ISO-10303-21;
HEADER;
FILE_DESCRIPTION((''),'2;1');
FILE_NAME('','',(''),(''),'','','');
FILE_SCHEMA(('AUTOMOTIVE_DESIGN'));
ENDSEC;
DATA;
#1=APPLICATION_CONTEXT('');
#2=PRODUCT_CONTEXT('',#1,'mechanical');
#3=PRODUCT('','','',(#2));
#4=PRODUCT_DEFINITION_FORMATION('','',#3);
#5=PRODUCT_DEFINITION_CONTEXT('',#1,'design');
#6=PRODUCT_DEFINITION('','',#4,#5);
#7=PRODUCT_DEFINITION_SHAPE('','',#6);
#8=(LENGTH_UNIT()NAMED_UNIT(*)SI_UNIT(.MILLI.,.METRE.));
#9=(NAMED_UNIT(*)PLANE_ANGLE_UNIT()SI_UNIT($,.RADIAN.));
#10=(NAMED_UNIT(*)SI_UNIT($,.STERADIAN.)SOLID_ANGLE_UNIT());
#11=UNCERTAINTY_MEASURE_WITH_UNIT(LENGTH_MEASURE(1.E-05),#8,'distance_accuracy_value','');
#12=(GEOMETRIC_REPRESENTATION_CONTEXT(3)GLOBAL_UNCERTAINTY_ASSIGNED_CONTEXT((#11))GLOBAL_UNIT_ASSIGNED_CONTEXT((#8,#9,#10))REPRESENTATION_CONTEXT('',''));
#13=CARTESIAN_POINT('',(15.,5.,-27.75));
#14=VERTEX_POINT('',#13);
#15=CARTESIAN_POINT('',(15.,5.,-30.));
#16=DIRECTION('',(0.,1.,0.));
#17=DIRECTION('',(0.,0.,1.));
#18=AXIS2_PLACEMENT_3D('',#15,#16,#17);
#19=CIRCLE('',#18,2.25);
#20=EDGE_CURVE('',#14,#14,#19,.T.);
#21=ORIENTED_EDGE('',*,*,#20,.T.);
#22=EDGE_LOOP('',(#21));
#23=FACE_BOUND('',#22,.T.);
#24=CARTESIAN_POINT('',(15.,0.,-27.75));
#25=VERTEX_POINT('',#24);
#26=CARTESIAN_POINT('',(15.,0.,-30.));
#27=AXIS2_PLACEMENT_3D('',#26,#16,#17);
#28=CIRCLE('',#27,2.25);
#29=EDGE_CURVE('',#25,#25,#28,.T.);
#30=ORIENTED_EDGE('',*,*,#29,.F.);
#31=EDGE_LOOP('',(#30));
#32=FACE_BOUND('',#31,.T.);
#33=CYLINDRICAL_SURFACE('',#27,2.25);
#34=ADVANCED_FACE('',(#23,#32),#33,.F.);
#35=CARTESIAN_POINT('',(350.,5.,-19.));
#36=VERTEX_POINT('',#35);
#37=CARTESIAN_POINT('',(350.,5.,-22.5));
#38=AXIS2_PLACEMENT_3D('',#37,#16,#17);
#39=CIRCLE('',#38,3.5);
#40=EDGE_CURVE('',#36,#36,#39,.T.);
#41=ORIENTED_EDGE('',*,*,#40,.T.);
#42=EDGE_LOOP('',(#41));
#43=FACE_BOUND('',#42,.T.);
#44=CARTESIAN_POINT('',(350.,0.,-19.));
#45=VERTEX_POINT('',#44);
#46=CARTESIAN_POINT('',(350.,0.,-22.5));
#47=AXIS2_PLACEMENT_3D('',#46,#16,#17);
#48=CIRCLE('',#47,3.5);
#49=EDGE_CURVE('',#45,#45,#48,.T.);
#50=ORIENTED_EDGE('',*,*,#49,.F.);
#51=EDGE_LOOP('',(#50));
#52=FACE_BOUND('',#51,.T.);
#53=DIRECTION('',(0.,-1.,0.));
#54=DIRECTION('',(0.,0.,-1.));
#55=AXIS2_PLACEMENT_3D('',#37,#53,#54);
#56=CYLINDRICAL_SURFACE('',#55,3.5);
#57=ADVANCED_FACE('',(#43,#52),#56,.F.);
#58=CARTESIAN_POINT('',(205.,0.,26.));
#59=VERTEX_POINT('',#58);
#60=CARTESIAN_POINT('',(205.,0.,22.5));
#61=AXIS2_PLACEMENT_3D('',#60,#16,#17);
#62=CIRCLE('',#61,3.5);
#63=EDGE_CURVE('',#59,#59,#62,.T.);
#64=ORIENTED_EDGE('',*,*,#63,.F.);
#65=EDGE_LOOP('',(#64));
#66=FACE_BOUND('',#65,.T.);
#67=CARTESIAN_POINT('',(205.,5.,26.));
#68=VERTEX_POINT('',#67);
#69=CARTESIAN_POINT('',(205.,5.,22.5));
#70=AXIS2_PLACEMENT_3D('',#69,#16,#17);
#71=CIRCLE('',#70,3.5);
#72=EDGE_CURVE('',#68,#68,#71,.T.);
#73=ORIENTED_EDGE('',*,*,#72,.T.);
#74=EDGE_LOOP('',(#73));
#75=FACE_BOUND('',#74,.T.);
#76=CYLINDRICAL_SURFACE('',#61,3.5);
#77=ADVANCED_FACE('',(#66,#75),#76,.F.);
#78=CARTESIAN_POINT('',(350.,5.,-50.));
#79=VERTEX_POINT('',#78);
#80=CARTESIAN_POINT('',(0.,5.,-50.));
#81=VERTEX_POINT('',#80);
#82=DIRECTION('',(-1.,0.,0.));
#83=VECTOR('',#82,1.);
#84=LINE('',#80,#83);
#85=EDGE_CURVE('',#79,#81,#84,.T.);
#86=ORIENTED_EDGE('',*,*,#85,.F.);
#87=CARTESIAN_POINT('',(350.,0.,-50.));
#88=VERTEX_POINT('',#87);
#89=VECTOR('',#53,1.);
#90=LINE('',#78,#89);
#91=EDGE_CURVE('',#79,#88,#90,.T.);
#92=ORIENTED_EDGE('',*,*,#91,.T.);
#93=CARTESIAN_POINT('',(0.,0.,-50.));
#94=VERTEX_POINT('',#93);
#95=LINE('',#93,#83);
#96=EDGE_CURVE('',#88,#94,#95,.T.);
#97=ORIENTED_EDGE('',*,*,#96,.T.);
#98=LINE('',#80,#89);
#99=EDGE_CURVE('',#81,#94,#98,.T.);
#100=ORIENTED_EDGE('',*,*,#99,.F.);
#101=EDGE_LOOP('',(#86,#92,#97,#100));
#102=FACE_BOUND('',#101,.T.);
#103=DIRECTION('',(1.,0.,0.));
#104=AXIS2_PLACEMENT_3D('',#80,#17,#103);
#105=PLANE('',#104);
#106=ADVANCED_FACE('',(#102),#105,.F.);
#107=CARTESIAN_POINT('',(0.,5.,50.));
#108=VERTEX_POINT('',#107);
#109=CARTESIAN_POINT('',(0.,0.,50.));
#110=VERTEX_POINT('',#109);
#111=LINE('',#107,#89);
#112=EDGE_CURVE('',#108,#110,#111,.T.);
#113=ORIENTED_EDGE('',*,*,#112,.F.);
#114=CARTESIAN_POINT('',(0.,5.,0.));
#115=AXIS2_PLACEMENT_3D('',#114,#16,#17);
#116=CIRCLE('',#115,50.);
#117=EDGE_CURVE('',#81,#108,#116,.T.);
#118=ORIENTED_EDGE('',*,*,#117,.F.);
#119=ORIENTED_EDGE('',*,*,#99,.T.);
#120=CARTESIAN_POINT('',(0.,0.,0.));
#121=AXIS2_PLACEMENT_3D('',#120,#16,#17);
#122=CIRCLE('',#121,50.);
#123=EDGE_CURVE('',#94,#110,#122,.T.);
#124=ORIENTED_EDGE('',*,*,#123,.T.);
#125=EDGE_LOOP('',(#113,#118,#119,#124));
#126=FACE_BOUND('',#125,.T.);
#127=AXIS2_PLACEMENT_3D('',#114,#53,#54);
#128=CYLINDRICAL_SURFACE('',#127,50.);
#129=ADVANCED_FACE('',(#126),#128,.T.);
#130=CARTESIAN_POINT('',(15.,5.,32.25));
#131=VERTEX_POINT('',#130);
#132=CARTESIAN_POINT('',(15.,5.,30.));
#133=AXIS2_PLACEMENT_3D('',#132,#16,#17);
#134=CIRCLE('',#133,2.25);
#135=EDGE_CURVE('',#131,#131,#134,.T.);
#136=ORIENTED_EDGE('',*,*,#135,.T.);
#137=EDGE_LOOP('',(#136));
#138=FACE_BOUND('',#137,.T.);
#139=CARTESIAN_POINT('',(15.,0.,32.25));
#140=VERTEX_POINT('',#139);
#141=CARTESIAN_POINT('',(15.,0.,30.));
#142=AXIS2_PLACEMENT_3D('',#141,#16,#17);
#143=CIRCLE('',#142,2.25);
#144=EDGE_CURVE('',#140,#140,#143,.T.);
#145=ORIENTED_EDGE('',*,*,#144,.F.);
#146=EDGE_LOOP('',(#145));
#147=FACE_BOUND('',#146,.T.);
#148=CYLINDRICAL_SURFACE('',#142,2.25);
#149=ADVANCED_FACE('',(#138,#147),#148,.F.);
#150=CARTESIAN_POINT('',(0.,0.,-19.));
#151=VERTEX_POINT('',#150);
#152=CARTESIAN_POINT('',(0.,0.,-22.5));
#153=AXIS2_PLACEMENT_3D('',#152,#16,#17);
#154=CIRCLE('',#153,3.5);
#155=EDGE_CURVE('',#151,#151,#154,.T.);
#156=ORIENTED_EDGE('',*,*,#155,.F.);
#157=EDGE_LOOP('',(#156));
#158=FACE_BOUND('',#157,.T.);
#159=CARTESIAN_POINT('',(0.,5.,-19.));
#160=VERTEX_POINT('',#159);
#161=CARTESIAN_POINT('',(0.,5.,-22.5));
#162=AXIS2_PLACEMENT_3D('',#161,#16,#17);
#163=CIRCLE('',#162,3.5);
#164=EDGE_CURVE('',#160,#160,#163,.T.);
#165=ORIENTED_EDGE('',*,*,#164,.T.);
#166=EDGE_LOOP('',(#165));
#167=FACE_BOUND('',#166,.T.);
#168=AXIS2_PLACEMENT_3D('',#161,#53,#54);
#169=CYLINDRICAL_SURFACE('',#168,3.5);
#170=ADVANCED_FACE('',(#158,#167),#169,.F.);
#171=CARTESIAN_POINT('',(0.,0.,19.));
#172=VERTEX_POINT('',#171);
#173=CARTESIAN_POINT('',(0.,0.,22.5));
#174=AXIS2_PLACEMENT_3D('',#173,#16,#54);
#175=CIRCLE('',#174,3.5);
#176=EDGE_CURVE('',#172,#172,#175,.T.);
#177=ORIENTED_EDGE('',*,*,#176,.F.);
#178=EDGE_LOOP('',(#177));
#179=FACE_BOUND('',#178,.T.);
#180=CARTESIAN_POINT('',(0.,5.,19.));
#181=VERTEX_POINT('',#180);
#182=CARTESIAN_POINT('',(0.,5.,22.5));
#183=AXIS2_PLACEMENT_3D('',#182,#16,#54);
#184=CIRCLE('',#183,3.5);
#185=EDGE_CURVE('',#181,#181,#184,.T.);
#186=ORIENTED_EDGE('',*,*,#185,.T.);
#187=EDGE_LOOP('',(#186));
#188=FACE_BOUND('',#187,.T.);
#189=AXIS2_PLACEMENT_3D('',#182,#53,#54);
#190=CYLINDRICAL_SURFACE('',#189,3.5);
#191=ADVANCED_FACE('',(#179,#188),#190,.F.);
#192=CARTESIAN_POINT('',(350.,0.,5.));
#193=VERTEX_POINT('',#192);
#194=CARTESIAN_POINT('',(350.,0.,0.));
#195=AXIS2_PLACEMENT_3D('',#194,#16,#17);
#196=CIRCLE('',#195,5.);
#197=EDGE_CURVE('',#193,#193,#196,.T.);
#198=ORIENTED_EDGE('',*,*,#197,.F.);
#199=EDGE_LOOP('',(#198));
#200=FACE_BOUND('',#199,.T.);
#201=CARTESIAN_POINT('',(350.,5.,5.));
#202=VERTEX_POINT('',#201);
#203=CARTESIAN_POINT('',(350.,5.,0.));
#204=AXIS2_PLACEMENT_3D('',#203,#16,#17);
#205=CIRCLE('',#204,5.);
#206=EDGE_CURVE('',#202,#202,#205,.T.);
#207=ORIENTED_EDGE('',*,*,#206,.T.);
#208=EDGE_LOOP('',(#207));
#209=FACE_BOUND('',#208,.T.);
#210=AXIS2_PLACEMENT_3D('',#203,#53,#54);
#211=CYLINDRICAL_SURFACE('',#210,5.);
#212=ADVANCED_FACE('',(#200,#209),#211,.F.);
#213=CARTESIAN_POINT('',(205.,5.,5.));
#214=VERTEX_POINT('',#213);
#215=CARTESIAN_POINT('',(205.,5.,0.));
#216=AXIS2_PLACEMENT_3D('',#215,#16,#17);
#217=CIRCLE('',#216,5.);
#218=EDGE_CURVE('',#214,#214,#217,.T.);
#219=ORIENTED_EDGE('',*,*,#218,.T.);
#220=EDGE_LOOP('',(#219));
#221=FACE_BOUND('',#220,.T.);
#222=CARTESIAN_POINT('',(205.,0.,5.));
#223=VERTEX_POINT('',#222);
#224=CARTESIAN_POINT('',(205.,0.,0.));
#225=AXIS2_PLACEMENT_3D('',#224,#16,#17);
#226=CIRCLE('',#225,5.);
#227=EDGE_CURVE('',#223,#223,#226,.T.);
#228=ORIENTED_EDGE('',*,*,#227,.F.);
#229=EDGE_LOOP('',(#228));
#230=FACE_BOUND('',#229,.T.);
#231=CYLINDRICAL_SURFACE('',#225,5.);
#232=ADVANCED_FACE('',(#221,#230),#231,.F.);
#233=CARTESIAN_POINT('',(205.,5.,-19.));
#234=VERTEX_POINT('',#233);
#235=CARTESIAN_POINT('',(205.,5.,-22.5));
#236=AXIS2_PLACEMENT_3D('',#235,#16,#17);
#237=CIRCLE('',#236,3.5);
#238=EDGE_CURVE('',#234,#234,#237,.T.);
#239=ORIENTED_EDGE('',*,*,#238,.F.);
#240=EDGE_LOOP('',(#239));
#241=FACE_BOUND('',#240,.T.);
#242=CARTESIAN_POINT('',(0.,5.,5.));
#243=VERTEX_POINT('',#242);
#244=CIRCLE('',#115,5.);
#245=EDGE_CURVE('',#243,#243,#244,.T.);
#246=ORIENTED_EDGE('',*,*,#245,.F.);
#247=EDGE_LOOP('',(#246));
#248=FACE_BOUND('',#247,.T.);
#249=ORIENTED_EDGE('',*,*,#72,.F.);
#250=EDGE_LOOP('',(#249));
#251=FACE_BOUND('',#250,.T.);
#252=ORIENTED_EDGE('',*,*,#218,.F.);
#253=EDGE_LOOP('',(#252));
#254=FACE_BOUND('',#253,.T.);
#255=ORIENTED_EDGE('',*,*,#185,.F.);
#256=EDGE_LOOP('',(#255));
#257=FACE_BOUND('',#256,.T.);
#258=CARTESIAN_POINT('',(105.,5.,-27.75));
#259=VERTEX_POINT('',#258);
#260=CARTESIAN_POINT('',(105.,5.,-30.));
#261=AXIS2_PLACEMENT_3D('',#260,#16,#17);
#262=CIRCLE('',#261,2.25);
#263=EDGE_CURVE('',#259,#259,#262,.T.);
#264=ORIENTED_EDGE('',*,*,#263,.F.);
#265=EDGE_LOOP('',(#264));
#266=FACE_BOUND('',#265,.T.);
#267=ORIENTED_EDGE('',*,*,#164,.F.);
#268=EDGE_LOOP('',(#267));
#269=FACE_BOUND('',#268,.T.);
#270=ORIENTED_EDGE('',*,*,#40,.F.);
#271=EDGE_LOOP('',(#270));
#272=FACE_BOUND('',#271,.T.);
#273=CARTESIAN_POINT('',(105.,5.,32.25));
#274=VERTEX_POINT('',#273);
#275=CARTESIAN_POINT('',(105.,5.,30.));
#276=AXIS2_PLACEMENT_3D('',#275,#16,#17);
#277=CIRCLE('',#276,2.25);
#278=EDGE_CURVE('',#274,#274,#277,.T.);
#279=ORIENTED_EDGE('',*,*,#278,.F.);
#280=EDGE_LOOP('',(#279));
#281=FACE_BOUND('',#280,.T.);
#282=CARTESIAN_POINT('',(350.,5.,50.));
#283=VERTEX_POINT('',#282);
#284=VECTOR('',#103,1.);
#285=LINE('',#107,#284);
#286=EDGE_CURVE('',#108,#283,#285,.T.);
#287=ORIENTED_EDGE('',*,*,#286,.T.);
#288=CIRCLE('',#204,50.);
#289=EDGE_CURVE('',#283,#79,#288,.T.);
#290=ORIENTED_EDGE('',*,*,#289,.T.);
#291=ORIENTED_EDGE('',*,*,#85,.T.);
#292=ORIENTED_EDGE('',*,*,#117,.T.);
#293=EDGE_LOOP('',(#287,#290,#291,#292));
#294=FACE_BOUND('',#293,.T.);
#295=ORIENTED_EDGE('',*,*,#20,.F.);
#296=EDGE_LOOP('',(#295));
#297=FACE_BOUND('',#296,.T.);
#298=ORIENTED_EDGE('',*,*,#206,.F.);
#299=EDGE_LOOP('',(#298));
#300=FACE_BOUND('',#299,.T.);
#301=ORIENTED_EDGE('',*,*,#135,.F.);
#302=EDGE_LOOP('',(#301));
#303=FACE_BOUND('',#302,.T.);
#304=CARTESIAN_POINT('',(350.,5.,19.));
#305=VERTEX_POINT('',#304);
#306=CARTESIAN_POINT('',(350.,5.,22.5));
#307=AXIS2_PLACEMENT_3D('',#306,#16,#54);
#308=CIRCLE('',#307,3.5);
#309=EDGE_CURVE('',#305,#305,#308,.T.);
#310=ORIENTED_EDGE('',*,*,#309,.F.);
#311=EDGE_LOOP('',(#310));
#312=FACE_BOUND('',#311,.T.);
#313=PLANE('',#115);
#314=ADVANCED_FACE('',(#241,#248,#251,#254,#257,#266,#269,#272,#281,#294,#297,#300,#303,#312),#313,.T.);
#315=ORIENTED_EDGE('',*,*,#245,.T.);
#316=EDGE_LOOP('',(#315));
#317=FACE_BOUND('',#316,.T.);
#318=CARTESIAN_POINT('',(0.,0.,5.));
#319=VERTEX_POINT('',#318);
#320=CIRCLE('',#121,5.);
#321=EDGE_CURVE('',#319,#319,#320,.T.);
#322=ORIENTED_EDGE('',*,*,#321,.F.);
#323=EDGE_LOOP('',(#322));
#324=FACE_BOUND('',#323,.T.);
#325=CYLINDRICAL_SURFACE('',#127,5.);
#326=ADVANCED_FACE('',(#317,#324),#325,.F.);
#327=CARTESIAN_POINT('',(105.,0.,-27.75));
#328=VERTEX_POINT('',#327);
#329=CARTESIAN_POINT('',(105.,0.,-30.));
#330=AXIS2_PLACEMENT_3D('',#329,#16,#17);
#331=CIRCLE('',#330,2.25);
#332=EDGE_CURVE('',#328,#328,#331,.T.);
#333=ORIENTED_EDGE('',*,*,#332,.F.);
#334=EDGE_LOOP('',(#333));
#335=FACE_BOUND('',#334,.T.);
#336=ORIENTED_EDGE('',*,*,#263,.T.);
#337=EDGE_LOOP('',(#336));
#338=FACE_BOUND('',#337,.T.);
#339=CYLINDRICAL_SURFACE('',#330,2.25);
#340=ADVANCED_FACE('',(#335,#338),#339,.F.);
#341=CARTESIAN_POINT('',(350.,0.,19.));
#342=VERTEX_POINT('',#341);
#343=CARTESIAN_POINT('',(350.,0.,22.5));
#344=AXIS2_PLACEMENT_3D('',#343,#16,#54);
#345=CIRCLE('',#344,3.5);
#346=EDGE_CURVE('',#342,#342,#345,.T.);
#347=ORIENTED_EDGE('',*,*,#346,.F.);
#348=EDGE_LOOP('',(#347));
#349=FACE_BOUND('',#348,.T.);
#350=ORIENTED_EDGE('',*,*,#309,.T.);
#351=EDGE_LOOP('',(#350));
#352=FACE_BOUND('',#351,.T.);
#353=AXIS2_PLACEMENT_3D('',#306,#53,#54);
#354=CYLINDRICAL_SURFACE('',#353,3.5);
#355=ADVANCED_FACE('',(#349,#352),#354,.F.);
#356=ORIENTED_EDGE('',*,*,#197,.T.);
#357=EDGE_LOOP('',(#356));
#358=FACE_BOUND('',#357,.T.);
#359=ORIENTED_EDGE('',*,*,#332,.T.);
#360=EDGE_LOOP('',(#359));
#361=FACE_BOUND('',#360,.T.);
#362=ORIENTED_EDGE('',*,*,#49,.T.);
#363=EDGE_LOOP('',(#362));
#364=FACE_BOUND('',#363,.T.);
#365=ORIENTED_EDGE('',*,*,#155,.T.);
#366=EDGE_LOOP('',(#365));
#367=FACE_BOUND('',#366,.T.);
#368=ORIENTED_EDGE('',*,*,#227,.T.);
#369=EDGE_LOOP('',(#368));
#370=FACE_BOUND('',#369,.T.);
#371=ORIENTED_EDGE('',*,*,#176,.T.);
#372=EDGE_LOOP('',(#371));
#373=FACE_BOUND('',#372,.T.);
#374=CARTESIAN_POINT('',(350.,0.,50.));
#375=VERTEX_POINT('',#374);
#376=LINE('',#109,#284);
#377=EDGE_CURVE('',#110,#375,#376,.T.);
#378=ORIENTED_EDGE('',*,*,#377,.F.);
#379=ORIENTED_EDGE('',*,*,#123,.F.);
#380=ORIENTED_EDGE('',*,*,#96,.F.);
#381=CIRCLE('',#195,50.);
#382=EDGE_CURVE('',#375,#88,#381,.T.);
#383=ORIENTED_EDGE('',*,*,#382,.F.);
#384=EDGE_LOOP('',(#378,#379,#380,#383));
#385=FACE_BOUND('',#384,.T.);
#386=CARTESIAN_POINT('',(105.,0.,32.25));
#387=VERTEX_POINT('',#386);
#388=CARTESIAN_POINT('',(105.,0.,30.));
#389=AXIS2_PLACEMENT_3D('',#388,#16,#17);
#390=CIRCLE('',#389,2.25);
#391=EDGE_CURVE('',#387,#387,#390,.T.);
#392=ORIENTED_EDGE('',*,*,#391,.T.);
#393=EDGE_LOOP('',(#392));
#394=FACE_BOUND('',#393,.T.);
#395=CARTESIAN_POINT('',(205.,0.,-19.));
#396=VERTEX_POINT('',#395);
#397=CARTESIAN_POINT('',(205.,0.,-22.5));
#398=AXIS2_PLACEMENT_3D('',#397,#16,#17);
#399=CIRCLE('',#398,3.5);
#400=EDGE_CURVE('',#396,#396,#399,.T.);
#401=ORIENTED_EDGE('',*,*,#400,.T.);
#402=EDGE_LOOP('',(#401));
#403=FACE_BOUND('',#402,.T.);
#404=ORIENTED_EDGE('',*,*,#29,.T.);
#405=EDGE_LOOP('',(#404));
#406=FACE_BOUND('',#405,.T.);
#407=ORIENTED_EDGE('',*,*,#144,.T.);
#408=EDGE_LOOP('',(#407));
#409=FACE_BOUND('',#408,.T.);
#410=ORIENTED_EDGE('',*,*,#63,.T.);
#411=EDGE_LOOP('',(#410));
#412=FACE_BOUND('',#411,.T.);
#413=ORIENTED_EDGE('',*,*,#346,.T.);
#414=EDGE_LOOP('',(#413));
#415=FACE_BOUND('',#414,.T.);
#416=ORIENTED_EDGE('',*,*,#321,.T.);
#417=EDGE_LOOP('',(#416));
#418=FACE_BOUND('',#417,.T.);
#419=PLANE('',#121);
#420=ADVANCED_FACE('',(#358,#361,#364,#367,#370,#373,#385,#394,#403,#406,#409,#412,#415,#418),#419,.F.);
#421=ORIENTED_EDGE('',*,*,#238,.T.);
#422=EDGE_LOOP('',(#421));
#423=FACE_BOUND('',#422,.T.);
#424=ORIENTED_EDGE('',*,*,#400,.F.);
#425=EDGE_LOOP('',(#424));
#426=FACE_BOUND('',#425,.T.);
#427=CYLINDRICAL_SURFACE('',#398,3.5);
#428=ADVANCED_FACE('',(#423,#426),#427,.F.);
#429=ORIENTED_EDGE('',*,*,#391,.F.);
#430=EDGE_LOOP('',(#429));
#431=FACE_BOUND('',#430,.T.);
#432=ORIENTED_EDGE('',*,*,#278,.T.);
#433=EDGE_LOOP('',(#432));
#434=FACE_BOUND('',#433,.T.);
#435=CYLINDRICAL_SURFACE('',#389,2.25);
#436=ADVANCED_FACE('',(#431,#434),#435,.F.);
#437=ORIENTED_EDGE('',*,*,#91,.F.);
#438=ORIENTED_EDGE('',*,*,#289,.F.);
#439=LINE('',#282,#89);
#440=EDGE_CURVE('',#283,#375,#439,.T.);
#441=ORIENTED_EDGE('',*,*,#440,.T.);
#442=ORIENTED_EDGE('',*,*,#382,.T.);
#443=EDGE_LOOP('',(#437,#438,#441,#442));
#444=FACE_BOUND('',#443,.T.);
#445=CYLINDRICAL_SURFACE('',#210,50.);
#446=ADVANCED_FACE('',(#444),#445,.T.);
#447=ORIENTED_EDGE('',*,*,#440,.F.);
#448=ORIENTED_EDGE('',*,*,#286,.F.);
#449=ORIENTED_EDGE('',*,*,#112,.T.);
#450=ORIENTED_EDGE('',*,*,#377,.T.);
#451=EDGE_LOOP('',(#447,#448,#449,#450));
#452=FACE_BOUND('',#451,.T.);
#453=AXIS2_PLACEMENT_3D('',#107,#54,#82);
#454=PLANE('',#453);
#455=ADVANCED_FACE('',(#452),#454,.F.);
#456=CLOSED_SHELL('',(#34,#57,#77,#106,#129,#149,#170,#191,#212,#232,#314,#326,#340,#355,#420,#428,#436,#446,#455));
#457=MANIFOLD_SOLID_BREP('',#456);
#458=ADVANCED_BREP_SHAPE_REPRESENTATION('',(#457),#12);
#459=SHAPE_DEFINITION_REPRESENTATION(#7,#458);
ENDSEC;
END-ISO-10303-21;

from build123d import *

# Parameters (mm, degrees)
SKETCH1_R           = 5
SKETCH1_R_2         = 3.5
BOSS_EXTRUDE1_DEPTH = 5
SKETCH2_R           = 3.5
SKETCH2_R_2         = 2.25
SKETCH2_R_3         = 5
CUT_EXTRUDE1_DEPTH  = 5


with BuildPart() as part:
    # Sketch1 → Boss-Extrude1 (new body)
    with BuildSketch(Plane(origin=(0, 0, 0), x_dir=(1, 0, 0), z_dir=(0, 1, 0))):
        with BuildLine():
            Line((0, 50), (350, 50))
            ThreePointArc((350, 50), (400, 0), (350, -50))
            Line((350, -50), (0, -50))
            ThreePointArc((0, -50), (-50, 0), (0, 50))
        make_face()
        with Locations(Location((0, 0, 0), (0, 0, 270))):
            Circle(SKETCH1_R, mode=Mode.SUBTRACT)
        with Locations(Location((350, 0, 0), (0, 0, 270))):
            Circle(SKETCH1_R, mode=Mode.SUBTRACT)
        with Locations(Location((0, 22.5, 0), (0, 0, 270))):
            Circle(SKETCH1_R_2, mode=Mode.SUBTRACT)
        with Locations(Location((350, 22.5, 0), (0, 0, 270))):
            Circle(SKETCH1_R_2, mode=Mode.SUBTRACT)
        with Locations(Location((350, -22.5, 0), (0, 0, 90))):
            Circle(SKETCH1_R_2, mode=Mode.SUBTRACT)
        with Locations(Location((0, -22.5, 0), (0, 0, 90))):
            Circle(SKETCH1_R_2, mode=Mode.SUBTRACT)
    extrude(amount=BOSS_EXTRUDE1_DEPTH)

    # Sketch2 → Cut-Extrude1 (cut)
    with BuildSketch(Plane(origin=(0, 5, 0), x_dir=(1, 0, 0), z_dir=(0, 1, 0))):
        with Locations(Location((205, 22.5, 0), (0, 0, 270))):
            Circle(SKETCH2_R)
        with Locations(Location((15, -30, 0), (0, 0, 270))):
            Circle(SKETCH2_R_2)
        with Locations(Location((105, -30, 0), (0, 0, 270))):
            Circle(SKETCH2_R_2)
        with Locations(Location((105, 30, 0), (0, 0, 270))):
            Circle(SKETCH2_R_2)
        with Locations(Location((15, 30, 0), (0, 0, 270))):
            Circle(SKETCH2_R_2)
        with Locations(Location((205, 0, 0), (0, 0, 270))):
            Circle(SKETCH2_R_3)
        with Locations(Location((205, -22.5, 0), (0, 0, 270))):
            Circle(SKETCH2_R)
    extrude(amount=-CUT_EXTRUDE1_DEPTH, mode=Mode.SUBTRACT)


solid = part.part
